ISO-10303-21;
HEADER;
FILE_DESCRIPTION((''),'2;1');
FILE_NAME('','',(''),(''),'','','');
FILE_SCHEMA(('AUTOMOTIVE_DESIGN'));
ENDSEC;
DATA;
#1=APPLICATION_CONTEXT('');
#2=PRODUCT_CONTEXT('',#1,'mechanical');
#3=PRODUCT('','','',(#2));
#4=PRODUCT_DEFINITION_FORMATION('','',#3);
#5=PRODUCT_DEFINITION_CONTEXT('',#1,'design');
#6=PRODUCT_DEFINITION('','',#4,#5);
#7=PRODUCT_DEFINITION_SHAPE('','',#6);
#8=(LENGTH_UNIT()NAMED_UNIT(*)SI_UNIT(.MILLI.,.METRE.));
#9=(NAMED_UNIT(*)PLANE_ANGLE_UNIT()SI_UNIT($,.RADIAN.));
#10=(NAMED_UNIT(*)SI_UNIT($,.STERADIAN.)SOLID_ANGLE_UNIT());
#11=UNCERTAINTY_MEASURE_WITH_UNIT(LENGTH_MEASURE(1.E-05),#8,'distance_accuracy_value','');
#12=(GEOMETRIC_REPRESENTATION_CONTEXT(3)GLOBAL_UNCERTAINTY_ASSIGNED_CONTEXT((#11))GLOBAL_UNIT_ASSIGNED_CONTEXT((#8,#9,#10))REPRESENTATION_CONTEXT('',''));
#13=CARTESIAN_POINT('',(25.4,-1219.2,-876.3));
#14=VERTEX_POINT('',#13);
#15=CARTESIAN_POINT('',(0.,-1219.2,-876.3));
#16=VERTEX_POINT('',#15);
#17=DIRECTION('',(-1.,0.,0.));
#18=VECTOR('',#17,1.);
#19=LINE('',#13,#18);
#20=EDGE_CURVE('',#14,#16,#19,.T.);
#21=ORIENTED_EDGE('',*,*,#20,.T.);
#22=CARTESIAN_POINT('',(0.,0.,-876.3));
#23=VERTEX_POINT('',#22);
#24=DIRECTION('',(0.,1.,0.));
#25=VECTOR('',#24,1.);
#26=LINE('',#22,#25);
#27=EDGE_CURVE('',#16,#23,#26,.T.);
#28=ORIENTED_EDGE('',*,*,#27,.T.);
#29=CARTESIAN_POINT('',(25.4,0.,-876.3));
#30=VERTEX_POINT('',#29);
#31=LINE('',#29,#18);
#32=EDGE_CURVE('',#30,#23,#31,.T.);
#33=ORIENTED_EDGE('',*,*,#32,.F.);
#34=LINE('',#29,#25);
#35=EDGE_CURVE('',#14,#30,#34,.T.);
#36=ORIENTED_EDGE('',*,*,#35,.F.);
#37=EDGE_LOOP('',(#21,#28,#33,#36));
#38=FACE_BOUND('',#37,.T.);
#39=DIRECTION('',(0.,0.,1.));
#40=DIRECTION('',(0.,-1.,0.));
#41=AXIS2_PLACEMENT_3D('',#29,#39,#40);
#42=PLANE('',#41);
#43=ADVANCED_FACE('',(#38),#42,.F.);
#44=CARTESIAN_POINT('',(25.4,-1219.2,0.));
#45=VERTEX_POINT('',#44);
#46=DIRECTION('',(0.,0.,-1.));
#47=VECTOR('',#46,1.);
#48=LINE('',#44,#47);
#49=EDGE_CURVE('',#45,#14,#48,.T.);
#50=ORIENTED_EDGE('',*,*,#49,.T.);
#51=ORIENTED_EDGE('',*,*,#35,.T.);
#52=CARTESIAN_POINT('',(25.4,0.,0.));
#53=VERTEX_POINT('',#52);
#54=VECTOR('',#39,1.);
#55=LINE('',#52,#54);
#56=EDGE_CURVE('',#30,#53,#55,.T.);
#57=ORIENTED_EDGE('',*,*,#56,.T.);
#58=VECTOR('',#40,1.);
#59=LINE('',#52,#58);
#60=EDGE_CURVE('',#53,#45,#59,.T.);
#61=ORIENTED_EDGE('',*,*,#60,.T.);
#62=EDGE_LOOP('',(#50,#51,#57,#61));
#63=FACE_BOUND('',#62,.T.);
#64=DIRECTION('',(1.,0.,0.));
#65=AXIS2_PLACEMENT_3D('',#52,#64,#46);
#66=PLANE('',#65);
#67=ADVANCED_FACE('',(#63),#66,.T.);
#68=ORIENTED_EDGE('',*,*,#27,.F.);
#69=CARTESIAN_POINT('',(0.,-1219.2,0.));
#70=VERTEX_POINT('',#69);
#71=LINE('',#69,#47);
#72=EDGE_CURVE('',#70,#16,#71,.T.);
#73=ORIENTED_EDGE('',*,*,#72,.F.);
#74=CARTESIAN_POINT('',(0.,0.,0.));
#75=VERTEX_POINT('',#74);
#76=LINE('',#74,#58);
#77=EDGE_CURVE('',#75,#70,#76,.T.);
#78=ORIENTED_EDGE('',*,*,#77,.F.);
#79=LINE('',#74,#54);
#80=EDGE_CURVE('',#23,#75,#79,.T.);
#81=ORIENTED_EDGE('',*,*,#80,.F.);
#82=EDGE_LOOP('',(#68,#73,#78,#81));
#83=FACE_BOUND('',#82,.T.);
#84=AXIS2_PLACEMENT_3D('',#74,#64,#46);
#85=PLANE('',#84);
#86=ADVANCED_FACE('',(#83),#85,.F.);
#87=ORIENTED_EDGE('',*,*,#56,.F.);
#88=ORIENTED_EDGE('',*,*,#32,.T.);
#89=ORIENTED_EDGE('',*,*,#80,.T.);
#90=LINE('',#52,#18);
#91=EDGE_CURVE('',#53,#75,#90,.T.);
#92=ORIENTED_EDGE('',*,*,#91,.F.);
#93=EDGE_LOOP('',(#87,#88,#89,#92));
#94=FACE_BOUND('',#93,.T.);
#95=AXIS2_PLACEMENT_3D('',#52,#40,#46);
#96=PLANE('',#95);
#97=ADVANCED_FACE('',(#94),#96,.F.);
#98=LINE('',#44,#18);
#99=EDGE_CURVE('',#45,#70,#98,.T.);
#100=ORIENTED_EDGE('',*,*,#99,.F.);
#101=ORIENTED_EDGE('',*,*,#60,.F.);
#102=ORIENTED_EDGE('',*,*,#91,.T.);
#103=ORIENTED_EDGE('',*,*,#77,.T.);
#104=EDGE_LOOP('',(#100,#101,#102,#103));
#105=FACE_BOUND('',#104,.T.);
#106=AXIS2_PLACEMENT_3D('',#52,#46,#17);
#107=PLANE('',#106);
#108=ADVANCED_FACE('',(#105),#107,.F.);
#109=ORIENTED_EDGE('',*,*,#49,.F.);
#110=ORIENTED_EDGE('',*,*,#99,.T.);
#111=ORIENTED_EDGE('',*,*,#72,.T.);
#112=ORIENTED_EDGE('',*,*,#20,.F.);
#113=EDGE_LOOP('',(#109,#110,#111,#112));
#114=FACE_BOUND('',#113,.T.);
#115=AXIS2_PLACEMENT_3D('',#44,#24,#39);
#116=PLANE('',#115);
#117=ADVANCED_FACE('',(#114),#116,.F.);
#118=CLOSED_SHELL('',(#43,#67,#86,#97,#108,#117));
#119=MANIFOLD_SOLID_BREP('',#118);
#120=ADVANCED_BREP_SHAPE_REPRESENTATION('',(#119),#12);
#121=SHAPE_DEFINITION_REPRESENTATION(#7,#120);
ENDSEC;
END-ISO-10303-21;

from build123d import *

# Parameters (mm, degrees)
SKETCH1_W           = 876.3
SKETCH1_H           = 1219.2
BOSS_EXTRUDE1_DEPTH = 25.4


with BuildPart() as part:
    # Sketch1 → Boss-Extrude1 (new body)
    with BuildSketch(Plane(origin=(0, 0, 0), x_dir=(0, 0, -1), z_dir=(1, 0, 0))):
        with Locations((438.15, -609.6)):
            Rectangle(SKETCH1_W, SKETCH1_H)
    extrude(amount=BOSS_EXTRUDE1_DEPTH)


solid = part.part
